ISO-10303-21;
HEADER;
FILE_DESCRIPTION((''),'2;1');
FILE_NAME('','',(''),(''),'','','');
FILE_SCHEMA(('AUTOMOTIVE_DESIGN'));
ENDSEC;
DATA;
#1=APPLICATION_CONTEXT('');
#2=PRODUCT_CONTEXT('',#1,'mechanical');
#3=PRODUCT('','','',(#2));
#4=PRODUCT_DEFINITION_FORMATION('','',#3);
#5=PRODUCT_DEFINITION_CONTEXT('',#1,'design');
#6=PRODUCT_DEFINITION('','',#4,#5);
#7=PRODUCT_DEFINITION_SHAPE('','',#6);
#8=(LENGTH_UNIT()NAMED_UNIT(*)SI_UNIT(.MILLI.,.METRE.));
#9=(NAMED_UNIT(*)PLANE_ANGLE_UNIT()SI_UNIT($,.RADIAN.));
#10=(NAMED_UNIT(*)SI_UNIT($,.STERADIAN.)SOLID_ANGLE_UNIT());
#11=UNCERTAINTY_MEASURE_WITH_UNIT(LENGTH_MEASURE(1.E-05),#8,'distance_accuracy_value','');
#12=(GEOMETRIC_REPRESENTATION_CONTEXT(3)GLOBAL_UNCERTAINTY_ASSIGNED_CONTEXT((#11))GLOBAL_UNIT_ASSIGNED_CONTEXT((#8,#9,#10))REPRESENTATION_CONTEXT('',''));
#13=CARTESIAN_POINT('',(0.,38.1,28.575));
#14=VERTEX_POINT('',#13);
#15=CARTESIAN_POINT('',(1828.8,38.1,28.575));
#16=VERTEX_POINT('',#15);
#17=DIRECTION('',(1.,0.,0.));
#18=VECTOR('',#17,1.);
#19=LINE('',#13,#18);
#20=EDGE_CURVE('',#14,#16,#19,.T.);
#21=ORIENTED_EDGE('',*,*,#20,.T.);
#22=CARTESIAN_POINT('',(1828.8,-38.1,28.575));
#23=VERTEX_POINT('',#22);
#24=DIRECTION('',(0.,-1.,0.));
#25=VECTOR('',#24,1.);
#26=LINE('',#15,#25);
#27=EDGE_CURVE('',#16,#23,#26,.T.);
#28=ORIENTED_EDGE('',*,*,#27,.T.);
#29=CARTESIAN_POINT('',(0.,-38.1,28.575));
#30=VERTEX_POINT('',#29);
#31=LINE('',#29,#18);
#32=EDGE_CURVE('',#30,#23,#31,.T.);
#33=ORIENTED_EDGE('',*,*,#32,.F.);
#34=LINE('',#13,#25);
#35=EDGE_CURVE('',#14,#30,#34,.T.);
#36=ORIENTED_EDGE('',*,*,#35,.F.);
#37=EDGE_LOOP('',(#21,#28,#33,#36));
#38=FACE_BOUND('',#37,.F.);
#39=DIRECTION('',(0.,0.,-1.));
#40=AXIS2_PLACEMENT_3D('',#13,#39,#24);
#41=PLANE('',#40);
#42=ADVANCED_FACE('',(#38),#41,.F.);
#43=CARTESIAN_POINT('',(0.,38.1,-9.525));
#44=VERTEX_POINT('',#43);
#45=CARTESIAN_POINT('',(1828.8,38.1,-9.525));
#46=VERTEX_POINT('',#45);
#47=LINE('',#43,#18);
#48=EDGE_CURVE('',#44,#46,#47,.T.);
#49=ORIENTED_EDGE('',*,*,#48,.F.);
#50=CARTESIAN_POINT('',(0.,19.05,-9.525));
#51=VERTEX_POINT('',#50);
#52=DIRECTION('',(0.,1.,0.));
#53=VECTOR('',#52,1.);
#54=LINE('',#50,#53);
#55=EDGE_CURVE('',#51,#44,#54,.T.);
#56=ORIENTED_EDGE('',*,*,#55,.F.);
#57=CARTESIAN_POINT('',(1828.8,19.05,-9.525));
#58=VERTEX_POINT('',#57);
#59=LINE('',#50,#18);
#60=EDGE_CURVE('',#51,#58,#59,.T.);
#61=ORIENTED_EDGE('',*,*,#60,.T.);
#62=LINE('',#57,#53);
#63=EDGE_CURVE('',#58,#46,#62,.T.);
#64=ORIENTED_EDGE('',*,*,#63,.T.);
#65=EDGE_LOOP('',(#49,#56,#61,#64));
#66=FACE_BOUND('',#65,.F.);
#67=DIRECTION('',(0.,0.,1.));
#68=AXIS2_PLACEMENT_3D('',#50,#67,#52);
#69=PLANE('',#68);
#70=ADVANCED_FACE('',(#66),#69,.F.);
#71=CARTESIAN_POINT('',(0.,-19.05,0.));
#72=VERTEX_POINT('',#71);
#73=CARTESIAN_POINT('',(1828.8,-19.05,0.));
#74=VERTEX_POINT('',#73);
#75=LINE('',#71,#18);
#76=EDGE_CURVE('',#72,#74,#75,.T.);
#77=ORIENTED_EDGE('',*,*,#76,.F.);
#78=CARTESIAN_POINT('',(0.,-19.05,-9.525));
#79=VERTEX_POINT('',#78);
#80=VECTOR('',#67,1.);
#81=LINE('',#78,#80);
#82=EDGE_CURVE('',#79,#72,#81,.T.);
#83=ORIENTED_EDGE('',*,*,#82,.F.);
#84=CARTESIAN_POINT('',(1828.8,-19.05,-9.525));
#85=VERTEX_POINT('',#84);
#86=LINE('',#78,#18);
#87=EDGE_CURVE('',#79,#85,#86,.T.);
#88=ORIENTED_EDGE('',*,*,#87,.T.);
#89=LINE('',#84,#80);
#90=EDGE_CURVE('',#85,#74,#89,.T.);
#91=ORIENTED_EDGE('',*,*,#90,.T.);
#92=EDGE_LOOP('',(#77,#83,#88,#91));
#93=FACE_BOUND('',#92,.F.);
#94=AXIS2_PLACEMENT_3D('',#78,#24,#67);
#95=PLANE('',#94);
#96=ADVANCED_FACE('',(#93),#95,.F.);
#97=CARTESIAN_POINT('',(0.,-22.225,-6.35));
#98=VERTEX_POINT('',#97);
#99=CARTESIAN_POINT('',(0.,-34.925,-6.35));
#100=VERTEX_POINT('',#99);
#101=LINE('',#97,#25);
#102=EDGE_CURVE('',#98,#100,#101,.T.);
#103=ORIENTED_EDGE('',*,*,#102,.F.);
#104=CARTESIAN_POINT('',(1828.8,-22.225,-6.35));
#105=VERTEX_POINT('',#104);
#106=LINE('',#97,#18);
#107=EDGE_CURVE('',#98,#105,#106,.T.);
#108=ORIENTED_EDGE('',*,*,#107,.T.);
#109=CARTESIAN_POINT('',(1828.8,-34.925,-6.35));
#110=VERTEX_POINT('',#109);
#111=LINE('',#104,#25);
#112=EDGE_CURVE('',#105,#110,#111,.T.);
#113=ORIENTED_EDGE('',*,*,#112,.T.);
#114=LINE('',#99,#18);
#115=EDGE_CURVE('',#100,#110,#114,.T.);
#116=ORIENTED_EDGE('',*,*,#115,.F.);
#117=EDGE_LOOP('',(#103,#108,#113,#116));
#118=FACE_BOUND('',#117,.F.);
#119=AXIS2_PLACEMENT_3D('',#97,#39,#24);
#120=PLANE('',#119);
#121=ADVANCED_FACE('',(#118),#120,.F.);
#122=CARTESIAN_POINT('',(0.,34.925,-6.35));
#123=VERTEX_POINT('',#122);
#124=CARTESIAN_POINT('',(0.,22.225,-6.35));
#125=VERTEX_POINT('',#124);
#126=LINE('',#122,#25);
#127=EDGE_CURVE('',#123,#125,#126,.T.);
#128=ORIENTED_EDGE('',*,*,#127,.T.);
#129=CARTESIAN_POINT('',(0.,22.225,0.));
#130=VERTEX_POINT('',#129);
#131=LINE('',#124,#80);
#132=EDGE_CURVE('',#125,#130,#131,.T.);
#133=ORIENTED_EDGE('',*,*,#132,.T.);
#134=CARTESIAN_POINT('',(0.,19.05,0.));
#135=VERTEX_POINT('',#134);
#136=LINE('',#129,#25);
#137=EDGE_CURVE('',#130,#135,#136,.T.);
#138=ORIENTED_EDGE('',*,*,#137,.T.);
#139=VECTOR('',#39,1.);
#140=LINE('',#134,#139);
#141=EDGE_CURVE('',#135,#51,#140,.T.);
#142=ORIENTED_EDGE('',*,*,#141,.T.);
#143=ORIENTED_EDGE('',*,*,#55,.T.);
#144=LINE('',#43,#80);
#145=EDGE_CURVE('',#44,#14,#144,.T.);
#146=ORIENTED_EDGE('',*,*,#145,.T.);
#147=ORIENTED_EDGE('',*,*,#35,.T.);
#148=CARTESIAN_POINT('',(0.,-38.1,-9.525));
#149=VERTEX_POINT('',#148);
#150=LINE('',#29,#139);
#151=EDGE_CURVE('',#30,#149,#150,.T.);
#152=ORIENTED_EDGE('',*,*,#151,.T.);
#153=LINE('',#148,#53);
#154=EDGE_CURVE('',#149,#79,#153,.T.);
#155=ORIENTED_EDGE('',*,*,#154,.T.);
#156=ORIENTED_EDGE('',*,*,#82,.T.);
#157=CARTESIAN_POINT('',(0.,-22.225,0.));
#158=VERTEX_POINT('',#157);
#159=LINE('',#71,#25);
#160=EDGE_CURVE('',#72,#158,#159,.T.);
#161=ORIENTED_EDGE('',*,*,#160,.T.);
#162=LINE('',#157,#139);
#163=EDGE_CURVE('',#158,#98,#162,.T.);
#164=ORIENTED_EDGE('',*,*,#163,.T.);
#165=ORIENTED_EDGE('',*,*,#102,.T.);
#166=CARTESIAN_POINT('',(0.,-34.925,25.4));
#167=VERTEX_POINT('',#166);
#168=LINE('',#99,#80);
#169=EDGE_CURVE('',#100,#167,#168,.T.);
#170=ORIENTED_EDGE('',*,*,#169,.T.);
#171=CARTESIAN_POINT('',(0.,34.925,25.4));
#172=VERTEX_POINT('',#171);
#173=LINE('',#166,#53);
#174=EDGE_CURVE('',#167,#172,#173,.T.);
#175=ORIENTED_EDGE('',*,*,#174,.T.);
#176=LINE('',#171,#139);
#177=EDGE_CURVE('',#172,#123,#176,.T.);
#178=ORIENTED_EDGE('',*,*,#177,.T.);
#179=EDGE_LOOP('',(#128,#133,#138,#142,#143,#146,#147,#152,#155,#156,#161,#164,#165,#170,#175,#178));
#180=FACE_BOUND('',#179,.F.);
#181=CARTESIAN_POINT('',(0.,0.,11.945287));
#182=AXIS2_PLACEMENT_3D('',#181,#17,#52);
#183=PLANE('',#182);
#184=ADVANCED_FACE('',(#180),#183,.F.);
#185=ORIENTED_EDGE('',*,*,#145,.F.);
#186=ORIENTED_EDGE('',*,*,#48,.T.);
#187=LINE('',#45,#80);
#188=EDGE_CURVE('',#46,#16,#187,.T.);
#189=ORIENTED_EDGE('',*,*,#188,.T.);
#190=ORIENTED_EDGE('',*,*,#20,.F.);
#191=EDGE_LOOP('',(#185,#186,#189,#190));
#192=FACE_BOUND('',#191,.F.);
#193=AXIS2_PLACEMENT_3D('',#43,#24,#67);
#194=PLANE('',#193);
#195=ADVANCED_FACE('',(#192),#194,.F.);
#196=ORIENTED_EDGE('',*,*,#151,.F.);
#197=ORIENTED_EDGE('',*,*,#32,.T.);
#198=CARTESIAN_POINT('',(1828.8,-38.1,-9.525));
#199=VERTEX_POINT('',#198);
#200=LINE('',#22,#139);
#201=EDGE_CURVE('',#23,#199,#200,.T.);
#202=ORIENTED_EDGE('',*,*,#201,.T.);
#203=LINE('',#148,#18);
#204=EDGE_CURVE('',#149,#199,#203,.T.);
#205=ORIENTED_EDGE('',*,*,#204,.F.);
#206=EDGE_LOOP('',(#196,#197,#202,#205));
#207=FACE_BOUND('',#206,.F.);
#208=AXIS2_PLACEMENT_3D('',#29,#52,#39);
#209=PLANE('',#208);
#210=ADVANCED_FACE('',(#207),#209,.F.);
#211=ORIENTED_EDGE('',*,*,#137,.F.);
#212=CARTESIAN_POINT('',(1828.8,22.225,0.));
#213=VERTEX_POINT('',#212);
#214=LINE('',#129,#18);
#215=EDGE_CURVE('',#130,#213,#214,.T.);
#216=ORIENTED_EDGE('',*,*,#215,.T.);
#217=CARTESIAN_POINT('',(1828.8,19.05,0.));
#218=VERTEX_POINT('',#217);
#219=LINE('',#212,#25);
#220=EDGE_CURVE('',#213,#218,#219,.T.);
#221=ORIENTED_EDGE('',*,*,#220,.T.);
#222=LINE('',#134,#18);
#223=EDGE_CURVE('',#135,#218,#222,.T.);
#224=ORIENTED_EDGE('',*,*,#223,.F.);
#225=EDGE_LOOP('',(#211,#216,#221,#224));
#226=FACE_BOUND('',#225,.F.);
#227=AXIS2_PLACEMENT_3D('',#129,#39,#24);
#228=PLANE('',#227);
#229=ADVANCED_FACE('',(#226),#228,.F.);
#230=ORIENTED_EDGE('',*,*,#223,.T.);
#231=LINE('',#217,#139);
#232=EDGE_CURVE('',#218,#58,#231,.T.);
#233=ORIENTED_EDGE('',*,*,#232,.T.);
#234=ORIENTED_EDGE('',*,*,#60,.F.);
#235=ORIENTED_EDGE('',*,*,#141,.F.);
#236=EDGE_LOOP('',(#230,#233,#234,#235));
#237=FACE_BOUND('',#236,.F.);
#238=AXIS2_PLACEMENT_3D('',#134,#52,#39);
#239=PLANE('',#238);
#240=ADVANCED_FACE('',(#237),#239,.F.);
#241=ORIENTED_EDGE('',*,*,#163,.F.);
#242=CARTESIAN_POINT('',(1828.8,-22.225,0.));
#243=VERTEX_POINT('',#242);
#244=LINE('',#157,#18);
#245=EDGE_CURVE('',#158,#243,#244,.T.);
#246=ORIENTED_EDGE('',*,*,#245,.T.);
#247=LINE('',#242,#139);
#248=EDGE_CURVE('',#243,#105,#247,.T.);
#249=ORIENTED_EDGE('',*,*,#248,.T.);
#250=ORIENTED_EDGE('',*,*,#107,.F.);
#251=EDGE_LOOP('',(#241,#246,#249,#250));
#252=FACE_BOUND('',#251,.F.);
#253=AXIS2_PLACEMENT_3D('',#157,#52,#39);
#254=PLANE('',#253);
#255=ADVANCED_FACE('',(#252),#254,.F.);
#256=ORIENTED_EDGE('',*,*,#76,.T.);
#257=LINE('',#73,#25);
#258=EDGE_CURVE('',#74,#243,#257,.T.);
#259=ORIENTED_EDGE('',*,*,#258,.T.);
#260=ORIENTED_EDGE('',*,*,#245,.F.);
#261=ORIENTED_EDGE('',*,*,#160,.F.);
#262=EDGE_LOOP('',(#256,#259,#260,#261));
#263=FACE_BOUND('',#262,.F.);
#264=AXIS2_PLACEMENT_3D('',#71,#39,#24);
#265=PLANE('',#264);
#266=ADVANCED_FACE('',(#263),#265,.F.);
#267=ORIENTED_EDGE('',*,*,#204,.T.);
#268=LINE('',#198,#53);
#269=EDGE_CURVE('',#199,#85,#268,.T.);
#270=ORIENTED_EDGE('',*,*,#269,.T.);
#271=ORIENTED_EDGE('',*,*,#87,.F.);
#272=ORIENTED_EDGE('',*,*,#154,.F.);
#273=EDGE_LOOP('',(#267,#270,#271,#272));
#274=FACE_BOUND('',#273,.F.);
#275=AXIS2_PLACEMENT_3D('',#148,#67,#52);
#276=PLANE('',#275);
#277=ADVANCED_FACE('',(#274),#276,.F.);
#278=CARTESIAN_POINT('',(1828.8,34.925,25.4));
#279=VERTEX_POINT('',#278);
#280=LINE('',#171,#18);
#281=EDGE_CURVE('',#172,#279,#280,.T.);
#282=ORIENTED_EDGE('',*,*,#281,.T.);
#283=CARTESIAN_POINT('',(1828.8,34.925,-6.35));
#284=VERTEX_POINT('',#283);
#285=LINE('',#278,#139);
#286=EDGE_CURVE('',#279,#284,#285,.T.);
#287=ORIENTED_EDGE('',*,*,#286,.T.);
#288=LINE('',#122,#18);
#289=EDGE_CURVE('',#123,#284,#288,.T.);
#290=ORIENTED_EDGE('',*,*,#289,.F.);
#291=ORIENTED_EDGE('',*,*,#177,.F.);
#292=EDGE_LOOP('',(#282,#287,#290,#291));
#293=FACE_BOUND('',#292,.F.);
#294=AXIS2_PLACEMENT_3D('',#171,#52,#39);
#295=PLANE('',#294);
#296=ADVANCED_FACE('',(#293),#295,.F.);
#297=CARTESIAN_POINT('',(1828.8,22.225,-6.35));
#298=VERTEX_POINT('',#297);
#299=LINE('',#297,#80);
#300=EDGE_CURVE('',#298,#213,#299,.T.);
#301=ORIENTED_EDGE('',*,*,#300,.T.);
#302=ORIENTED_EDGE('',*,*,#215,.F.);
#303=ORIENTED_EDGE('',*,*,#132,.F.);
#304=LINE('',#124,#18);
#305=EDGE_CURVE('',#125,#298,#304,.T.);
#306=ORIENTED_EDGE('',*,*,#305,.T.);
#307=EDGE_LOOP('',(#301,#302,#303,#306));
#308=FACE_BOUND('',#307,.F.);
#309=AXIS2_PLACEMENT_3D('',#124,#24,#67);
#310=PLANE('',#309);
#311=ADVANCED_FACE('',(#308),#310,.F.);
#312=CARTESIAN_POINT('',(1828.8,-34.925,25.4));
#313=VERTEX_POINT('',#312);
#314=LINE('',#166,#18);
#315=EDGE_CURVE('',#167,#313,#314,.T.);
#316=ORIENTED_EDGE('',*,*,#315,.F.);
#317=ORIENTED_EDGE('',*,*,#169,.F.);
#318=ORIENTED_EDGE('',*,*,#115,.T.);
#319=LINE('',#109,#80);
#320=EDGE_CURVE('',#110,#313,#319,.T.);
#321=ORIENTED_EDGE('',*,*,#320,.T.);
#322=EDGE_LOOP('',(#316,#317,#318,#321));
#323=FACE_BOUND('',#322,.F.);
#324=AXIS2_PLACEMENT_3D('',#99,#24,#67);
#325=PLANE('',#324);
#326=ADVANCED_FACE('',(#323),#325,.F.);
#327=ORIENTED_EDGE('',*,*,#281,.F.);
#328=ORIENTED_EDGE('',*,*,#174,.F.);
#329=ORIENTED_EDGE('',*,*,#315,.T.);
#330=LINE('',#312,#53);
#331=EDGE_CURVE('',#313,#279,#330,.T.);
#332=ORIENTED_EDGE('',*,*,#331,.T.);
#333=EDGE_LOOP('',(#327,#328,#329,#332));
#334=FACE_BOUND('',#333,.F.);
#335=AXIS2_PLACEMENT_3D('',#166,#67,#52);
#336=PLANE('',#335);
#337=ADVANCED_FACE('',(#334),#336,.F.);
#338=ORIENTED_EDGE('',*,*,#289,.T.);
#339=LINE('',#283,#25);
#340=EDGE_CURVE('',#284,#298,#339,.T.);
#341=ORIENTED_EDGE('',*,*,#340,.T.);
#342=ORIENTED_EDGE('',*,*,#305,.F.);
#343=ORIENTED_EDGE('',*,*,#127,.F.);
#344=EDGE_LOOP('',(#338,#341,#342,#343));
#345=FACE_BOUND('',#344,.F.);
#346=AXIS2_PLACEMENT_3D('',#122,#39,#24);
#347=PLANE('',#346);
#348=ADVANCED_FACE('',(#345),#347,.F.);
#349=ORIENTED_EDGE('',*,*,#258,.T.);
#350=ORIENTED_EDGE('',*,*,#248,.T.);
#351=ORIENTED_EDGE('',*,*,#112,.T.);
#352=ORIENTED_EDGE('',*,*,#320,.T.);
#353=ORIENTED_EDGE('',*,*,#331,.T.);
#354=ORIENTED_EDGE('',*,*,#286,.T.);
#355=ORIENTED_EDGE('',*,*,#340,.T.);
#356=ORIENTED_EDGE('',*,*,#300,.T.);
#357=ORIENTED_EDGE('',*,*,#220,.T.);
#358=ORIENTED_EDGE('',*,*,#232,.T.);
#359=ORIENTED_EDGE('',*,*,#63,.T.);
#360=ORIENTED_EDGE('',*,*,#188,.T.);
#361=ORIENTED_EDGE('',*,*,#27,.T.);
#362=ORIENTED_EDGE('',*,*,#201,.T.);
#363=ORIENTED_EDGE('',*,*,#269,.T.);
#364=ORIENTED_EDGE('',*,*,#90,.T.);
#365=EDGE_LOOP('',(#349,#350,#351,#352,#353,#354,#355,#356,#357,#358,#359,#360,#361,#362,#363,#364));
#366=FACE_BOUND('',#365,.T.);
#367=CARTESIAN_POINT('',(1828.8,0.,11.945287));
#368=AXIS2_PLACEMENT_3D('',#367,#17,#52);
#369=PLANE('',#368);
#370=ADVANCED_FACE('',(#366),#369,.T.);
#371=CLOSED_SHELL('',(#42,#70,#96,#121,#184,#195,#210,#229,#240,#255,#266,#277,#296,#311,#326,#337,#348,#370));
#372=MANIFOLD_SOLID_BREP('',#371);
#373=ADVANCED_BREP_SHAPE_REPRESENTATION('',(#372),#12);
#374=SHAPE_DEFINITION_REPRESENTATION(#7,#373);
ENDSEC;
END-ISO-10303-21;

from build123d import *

# Parameters (mm, degrees)
F1_DEPTH = 1828.8


with BuildPart() as f1:
    # F0 (on Right) → F1 (new body)
    with BuildSketch(Plane.YZ):
        Polygon((-19.05, -9.525), (-19.05, 0), (-22.225, 0), (-22.225, -6.35), (-34.925, -6.35), (-34.925, 25.4), (0, 25.4), (34.925, 25.4), (34.925, -6.35), (22.225, -6.35), (22.225, 0), (19.05, 0), (19.05, -9.525), (38.1, -9.525), (38.1, 28.575), (0, 28.575), (-38.1, 28.575), (-38.1, -9.525), align=None)
    extrude(amount=F1_DEPTH)


solid = f1.part
